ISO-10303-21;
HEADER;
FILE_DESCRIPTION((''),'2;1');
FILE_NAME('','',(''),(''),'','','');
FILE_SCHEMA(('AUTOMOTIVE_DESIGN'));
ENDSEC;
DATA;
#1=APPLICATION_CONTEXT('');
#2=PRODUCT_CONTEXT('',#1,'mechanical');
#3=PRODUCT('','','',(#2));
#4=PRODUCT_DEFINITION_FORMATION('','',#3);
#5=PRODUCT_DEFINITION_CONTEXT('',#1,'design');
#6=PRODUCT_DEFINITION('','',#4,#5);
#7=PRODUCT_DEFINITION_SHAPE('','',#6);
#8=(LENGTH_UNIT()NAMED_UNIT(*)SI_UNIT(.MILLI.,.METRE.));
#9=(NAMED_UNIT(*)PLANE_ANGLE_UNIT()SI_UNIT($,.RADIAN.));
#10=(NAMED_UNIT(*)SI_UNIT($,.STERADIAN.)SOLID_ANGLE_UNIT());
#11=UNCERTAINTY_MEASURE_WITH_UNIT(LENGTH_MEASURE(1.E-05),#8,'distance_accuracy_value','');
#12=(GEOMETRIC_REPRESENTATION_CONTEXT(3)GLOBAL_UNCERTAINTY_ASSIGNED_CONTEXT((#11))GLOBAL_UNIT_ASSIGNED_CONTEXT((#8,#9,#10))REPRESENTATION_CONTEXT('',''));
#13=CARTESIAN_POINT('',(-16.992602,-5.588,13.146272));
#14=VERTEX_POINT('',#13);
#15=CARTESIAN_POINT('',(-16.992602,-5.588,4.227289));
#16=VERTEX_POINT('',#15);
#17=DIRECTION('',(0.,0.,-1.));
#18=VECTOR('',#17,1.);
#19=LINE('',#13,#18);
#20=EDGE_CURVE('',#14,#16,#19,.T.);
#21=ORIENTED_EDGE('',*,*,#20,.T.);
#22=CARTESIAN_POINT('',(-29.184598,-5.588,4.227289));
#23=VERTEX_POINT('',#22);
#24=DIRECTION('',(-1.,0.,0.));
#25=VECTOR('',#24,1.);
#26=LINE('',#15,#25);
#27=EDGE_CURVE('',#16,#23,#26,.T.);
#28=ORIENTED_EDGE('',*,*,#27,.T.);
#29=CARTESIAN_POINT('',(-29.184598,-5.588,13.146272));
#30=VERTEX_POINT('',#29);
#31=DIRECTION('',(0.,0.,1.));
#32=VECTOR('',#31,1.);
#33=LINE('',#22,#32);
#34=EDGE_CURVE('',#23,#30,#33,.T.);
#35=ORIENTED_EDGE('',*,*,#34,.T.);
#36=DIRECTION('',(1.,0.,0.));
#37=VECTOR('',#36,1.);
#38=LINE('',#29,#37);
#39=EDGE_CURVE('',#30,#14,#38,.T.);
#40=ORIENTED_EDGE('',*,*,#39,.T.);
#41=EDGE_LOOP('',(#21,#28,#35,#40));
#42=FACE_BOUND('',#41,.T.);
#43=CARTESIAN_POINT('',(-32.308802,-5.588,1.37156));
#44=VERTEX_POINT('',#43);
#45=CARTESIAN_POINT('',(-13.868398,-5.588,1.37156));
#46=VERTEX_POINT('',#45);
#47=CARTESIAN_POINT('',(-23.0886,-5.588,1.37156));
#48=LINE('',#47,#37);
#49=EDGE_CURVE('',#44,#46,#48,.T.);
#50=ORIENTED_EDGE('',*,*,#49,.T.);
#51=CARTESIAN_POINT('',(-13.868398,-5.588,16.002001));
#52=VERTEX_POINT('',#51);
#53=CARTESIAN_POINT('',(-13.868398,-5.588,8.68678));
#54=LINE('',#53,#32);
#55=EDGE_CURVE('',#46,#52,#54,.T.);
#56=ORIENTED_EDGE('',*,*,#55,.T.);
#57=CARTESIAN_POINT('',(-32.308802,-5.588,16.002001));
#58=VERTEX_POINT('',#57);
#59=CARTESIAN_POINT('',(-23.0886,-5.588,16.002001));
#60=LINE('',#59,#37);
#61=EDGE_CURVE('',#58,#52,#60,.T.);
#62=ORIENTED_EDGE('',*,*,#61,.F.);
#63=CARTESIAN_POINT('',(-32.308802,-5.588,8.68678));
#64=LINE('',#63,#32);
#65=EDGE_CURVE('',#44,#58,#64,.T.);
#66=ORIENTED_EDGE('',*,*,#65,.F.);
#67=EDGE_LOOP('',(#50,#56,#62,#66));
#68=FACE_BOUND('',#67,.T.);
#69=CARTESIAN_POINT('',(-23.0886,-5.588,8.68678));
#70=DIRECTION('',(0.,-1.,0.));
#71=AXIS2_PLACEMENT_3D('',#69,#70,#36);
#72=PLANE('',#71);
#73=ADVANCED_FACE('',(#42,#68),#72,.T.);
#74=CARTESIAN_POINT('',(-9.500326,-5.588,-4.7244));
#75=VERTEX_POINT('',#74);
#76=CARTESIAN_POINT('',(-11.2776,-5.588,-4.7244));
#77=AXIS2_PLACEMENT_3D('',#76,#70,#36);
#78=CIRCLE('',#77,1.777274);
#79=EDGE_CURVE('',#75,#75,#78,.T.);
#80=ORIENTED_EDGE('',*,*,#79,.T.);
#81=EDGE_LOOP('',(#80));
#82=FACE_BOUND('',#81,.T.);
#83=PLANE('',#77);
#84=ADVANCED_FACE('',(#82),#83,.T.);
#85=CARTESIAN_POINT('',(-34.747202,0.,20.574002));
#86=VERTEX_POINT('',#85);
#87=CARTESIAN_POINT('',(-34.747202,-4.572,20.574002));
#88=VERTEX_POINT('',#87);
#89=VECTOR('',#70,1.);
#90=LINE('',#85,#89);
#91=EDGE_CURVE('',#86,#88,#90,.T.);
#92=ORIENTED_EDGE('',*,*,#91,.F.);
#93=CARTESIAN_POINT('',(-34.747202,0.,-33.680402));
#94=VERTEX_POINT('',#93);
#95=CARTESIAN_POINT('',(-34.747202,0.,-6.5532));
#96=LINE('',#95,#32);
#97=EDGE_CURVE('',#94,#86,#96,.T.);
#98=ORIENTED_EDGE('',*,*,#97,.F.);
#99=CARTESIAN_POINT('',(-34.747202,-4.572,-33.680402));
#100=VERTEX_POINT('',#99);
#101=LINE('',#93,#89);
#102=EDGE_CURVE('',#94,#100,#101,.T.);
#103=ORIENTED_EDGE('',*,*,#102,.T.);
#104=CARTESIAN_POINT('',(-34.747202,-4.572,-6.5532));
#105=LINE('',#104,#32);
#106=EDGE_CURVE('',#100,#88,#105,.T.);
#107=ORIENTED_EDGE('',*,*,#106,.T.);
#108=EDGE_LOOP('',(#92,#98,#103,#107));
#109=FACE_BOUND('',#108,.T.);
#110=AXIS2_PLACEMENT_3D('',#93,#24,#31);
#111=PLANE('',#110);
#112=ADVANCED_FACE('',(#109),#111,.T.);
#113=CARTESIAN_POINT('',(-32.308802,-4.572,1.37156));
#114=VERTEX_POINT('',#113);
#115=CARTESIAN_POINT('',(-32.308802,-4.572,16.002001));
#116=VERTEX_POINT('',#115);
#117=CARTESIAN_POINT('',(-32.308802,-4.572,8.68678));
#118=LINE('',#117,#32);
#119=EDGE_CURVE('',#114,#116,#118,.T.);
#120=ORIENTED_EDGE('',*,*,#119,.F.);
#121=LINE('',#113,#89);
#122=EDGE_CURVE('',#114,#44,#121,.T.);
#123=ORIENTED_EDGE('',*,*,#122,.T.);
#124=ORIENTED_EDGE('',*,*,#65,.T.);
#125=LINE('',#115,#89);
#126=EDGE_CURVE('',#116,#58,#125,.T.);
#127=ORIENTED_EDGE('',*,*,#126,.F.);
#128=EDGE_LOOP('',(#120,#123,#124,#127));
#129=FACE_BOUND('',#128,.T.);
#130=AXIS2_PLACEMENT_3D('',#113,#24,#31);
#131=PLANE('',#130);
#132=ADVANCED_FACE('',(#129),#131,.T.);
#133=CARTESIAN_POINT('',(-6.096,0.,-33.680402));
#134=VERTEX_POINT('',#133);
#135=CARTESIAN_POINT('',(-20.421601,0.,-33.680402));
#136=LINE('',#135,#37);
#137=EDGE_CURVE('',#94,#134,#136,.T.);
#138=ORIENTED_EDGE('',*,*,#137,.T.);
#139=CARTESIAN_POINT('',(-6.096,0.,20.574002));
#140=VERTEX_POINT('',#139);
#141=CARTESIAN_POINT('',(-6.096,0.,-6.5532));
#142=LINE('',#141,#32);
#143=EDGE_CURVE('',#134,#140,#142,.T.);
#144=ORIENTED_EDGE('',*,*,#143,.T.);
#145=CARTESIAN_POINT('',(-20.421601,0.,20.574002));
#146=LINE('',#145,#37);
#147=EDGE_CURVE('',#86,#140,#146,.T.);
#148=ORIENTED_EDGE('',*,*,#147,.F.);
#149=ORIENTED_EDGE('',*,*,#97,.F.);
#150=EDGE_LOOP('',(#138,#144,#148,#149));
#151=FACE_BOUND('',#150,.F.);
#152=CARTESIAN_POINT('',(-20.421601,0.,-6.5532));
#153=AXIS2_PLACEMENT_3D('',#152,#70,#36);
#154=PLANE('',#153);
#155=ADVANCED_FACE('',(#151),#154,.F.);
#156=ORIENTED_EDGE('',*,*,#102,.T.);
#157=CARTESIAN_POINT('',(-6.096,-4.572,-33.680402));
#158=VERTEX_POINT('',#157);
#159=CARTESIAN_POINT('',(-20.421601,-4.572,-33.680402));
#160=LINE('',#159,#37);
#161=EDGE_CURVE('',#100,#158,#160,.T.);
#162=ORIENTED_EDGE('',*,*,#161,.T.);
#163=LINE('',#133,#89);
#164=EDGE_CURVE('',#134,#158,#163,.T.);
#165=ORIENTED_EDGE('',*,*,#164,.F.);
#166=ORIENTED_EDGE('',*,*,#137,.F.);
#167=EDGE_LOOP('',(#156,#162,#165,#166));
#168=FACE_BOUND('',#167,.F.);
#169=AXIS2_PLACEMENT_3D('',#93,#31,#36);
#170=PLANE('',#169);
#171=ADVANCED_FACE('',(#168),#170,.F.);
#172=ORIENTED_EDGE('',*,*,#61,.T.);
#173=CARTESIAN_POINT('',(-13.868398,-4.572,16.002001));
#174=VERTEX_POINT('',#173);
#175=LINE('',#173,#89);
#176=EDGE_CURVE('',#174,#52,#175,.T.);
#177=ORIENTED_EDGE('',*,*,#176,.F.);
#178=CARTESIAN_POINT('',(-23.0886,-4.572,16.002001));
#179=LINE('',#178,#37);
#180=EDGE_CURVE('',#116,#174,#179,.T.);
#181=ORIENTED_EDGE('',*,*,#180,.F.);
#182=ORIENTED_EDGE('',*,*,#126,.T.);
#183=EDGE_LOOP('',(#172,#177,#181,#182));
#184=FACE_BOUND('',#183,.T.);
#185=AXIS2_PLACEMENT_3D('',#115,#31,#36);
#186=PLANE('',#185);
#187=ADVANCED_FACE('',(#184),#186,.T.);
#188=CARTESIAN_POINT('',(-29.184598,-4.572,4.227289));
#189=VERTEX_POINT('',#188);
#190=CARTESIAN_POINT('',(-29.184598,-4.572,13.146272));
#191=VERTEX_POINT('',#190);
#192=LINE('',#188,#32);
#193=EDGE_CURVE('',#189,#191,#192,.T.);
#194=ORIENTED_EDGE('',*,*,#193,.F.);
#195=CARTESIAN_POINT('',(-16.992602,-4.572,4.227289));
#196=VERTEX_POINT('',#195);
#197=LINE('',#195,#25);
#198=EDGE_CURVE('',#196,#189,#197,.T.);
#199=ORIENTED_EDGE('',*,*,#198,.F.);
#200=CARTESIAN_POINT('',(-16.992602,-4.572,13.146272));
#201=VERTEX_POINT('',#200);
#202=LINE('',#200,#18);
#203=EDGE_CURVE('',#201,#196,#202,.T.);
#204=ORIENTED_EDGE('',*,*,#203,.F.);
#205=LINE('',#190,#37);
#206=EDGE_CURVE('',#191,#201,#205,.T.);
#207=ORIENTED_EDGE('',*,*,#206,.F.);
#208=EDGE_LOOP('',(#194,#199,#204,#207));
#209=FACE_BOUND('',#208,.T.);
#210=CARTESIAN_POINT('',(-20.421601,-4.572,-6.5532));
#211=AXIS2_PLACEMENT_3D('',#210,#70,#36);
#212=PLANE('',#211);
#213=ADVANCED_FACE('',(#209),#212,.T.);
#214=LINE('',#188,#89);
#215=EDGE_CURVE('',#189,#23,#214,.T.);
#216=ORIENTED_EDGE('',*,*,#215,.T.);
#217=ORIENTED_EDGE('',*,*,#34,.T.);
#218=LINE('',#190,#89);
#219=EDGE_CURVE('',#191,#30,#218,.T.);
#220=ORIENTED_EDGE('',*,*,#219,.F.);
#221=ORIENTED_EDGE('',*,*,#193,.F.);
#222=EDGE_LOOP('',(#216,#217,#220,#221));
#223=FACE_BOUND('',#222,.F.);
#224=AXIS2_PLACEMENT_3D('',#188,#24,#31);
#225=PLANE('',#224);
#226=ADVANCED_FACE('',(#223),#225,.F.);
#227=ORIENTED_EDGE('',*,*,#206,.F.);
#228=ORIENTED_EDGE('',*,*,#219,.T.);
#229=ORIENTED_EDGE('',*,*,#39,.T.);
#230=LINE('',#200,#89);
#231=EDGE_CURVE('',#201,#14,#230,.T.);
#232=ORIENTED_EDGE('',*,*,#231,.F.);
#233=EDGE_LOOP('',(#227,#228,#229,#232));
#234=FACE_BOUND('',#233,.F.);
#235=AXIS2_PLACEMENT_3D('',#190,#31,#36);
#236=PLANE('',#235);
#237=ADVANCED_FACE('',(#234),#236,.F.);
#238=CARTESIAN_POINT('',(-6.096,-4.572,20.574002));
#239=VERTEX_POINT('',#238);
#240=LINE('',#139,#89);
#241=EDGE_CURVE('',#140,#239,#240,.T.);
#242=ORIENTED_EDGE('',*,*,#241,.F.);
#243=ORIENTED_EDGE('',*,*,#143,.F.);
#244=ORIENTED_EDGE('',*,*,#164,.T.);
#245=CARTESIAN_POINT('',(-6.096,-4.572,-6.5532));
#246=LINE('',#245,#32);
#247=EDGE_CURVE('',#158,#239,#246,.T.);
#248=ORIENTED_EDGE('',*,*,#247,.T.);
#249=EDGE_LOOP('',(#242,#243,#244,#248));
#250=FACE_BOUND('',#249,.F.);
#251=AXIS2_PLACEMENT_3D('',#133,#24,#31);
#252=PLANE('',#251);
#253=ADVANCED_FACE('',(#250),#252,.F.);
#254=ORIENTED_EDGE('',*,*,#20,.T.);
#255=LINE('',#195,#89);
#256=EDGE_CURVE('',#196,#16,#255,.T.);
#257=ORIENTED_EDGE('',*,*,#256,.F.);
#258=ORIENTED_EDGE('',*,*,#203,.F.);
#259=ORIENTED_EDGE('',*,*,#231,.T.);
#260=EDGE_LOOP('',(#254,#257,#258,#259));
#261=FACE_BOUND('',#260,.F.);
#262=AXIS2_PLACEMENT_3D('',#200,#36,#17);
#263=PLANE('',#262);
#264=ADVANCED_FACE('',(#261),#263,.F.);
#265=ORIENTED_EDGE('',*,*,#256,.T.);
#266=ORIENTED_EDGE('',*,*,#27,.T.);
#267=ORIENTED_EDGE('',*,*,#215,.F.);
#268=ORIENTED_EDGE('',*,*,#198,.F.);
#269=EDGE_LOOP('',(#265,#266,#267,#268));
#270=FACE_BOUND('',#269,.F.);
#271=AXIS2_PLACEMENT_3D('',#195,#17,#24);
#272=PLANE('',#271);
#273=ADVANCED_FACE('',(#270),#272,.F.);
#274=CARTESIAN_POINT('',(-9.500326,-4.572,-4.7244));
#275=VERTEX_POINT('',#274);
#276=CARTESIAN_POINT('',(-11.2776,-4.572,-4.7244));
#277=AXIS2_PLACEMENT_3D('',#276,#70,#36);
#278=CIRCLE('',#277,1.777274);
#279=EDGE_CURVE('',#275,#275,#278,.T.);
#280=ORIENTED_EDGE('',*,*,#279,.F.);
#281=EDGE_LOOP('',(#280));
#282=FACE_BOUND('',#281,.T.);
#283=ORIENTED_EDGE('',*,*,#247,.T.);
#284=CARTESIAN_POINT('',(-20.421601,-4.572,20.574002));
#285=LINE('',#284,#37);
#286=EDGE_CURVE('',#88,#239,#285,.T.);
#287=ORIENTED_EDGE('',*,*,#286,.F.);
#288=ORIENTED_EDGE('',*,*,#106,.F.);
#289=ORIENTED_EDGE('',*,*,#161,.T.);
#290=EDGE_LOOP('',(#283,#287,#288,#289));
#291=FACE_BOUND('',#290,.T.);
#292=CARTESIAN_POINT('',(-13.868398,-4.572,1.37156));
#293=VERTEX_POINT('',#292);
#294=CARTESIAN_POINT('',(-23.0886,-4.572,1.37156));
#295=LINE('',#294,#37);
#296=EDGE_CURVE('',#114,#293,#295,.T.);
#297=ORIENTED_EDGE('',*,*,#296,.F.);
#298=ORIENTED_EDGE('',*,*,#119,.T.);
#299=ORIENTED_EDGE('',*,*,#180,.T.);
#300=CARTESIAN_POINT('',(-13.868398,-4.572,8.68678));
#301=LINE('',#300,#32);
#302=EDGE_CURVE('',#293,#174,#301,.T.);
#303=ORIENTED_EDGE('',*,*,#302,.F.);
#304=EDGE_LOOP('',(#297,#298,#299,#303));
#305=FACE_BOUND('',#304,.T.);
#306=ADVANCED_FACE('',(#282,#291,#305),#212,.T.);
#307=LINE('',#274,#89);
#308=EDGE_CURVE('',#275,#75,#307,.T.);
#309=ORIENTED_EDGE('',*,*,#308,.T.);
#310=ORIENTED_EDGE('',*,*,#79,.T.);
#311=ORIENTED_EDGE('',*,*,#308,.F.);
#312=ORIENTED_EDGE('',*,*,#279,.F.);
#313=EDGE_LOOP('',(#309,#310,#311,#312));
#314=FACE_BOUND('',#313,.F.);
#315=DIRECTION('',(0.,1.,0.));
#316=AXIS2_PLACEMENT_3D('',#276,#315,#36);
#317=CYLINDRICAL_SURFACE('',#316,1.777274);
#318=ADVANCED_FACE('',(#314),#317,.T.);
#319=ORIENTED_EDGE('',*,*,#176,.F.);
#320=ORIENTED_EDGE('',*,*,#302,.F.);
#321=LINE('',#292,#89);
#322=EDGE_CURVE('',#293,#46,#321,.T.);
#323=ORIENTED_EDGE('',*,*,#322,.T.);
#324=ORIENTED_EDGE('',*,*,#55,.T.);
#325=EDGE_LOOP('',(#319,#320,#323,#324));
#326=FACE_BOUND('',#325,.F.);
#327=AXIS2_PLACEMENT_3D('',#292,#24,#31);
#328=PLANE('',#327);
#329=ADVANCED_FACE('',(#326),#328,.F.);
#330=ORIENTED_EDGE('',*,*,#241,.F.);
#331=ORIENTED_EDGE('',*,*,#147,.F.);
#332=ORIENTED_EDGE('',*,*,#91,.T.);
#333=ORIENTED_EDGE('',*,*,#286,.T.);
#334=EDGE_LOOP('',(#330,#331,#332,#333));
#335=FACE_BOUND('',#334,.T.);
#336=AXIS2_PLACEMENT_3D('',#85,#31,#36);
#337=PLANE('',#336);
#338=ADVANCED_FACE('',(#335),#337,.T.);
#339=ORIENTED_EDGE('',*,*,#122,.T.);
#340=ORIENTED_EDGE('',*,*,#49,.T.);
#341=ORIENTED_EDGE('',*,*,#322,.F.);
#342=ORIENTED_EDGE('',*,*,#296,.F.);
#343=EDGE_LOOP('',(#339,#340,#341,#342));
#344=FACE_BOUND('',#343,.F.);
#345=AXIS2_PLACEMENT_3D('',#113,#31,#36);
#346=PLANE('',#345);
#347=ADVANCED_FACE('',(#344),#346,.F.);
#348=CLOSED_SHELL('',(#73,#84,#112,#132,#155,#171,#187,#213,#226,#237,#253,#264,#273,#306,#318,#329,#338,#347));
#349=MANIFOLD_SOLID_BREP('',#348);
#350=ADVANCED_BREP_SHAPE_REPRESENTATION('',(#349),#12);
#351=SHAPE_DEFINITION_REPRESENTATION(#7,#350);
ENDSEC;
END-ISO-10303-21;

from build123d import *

# Parameters (mm, degrees)
F0_W     = 28.651202
F0_H     = 54.254404
F1_DEPTH = 4.572
F2_R     = 1.777274
F2_W     = 18.440403
F2_H     = 14.630441
F3_DEPTH = 1.016


with BuildPart() as f1:
    # F0 (on Front) → F1 (new body)
    with BuildSketch(Plane.XZ):
        with Locations((-20.421601, -6.5532)):
            Rectangle(F0_W, F0_H)
    extrude(amount=F1_DEPTH)

    # F2 (on face) → F3 (join)
    with BuildSketch(Plane.XZ.offset(4.572)):
        with Locations((-11.2776, -4.7244)):
            Circle(F2_R)
        with Locations((-23.0886, 8.68678)):
            Rectangle(F2_W, F2_H)
        Polygon((-29.184598, 8.68678), (-29.184598, 13.146272), (-23.0886, 13.146272), (-16.992602, 13.146272), (-16.992602, 8.68678), (-16.992602, 4.227289), (-23.0886, 4.227289), (-29.184598, 4.227289), align=None, mode=Mode.SUBTRACT)
    extrude(amount=F3_DEPTH)


solid = f1.part
